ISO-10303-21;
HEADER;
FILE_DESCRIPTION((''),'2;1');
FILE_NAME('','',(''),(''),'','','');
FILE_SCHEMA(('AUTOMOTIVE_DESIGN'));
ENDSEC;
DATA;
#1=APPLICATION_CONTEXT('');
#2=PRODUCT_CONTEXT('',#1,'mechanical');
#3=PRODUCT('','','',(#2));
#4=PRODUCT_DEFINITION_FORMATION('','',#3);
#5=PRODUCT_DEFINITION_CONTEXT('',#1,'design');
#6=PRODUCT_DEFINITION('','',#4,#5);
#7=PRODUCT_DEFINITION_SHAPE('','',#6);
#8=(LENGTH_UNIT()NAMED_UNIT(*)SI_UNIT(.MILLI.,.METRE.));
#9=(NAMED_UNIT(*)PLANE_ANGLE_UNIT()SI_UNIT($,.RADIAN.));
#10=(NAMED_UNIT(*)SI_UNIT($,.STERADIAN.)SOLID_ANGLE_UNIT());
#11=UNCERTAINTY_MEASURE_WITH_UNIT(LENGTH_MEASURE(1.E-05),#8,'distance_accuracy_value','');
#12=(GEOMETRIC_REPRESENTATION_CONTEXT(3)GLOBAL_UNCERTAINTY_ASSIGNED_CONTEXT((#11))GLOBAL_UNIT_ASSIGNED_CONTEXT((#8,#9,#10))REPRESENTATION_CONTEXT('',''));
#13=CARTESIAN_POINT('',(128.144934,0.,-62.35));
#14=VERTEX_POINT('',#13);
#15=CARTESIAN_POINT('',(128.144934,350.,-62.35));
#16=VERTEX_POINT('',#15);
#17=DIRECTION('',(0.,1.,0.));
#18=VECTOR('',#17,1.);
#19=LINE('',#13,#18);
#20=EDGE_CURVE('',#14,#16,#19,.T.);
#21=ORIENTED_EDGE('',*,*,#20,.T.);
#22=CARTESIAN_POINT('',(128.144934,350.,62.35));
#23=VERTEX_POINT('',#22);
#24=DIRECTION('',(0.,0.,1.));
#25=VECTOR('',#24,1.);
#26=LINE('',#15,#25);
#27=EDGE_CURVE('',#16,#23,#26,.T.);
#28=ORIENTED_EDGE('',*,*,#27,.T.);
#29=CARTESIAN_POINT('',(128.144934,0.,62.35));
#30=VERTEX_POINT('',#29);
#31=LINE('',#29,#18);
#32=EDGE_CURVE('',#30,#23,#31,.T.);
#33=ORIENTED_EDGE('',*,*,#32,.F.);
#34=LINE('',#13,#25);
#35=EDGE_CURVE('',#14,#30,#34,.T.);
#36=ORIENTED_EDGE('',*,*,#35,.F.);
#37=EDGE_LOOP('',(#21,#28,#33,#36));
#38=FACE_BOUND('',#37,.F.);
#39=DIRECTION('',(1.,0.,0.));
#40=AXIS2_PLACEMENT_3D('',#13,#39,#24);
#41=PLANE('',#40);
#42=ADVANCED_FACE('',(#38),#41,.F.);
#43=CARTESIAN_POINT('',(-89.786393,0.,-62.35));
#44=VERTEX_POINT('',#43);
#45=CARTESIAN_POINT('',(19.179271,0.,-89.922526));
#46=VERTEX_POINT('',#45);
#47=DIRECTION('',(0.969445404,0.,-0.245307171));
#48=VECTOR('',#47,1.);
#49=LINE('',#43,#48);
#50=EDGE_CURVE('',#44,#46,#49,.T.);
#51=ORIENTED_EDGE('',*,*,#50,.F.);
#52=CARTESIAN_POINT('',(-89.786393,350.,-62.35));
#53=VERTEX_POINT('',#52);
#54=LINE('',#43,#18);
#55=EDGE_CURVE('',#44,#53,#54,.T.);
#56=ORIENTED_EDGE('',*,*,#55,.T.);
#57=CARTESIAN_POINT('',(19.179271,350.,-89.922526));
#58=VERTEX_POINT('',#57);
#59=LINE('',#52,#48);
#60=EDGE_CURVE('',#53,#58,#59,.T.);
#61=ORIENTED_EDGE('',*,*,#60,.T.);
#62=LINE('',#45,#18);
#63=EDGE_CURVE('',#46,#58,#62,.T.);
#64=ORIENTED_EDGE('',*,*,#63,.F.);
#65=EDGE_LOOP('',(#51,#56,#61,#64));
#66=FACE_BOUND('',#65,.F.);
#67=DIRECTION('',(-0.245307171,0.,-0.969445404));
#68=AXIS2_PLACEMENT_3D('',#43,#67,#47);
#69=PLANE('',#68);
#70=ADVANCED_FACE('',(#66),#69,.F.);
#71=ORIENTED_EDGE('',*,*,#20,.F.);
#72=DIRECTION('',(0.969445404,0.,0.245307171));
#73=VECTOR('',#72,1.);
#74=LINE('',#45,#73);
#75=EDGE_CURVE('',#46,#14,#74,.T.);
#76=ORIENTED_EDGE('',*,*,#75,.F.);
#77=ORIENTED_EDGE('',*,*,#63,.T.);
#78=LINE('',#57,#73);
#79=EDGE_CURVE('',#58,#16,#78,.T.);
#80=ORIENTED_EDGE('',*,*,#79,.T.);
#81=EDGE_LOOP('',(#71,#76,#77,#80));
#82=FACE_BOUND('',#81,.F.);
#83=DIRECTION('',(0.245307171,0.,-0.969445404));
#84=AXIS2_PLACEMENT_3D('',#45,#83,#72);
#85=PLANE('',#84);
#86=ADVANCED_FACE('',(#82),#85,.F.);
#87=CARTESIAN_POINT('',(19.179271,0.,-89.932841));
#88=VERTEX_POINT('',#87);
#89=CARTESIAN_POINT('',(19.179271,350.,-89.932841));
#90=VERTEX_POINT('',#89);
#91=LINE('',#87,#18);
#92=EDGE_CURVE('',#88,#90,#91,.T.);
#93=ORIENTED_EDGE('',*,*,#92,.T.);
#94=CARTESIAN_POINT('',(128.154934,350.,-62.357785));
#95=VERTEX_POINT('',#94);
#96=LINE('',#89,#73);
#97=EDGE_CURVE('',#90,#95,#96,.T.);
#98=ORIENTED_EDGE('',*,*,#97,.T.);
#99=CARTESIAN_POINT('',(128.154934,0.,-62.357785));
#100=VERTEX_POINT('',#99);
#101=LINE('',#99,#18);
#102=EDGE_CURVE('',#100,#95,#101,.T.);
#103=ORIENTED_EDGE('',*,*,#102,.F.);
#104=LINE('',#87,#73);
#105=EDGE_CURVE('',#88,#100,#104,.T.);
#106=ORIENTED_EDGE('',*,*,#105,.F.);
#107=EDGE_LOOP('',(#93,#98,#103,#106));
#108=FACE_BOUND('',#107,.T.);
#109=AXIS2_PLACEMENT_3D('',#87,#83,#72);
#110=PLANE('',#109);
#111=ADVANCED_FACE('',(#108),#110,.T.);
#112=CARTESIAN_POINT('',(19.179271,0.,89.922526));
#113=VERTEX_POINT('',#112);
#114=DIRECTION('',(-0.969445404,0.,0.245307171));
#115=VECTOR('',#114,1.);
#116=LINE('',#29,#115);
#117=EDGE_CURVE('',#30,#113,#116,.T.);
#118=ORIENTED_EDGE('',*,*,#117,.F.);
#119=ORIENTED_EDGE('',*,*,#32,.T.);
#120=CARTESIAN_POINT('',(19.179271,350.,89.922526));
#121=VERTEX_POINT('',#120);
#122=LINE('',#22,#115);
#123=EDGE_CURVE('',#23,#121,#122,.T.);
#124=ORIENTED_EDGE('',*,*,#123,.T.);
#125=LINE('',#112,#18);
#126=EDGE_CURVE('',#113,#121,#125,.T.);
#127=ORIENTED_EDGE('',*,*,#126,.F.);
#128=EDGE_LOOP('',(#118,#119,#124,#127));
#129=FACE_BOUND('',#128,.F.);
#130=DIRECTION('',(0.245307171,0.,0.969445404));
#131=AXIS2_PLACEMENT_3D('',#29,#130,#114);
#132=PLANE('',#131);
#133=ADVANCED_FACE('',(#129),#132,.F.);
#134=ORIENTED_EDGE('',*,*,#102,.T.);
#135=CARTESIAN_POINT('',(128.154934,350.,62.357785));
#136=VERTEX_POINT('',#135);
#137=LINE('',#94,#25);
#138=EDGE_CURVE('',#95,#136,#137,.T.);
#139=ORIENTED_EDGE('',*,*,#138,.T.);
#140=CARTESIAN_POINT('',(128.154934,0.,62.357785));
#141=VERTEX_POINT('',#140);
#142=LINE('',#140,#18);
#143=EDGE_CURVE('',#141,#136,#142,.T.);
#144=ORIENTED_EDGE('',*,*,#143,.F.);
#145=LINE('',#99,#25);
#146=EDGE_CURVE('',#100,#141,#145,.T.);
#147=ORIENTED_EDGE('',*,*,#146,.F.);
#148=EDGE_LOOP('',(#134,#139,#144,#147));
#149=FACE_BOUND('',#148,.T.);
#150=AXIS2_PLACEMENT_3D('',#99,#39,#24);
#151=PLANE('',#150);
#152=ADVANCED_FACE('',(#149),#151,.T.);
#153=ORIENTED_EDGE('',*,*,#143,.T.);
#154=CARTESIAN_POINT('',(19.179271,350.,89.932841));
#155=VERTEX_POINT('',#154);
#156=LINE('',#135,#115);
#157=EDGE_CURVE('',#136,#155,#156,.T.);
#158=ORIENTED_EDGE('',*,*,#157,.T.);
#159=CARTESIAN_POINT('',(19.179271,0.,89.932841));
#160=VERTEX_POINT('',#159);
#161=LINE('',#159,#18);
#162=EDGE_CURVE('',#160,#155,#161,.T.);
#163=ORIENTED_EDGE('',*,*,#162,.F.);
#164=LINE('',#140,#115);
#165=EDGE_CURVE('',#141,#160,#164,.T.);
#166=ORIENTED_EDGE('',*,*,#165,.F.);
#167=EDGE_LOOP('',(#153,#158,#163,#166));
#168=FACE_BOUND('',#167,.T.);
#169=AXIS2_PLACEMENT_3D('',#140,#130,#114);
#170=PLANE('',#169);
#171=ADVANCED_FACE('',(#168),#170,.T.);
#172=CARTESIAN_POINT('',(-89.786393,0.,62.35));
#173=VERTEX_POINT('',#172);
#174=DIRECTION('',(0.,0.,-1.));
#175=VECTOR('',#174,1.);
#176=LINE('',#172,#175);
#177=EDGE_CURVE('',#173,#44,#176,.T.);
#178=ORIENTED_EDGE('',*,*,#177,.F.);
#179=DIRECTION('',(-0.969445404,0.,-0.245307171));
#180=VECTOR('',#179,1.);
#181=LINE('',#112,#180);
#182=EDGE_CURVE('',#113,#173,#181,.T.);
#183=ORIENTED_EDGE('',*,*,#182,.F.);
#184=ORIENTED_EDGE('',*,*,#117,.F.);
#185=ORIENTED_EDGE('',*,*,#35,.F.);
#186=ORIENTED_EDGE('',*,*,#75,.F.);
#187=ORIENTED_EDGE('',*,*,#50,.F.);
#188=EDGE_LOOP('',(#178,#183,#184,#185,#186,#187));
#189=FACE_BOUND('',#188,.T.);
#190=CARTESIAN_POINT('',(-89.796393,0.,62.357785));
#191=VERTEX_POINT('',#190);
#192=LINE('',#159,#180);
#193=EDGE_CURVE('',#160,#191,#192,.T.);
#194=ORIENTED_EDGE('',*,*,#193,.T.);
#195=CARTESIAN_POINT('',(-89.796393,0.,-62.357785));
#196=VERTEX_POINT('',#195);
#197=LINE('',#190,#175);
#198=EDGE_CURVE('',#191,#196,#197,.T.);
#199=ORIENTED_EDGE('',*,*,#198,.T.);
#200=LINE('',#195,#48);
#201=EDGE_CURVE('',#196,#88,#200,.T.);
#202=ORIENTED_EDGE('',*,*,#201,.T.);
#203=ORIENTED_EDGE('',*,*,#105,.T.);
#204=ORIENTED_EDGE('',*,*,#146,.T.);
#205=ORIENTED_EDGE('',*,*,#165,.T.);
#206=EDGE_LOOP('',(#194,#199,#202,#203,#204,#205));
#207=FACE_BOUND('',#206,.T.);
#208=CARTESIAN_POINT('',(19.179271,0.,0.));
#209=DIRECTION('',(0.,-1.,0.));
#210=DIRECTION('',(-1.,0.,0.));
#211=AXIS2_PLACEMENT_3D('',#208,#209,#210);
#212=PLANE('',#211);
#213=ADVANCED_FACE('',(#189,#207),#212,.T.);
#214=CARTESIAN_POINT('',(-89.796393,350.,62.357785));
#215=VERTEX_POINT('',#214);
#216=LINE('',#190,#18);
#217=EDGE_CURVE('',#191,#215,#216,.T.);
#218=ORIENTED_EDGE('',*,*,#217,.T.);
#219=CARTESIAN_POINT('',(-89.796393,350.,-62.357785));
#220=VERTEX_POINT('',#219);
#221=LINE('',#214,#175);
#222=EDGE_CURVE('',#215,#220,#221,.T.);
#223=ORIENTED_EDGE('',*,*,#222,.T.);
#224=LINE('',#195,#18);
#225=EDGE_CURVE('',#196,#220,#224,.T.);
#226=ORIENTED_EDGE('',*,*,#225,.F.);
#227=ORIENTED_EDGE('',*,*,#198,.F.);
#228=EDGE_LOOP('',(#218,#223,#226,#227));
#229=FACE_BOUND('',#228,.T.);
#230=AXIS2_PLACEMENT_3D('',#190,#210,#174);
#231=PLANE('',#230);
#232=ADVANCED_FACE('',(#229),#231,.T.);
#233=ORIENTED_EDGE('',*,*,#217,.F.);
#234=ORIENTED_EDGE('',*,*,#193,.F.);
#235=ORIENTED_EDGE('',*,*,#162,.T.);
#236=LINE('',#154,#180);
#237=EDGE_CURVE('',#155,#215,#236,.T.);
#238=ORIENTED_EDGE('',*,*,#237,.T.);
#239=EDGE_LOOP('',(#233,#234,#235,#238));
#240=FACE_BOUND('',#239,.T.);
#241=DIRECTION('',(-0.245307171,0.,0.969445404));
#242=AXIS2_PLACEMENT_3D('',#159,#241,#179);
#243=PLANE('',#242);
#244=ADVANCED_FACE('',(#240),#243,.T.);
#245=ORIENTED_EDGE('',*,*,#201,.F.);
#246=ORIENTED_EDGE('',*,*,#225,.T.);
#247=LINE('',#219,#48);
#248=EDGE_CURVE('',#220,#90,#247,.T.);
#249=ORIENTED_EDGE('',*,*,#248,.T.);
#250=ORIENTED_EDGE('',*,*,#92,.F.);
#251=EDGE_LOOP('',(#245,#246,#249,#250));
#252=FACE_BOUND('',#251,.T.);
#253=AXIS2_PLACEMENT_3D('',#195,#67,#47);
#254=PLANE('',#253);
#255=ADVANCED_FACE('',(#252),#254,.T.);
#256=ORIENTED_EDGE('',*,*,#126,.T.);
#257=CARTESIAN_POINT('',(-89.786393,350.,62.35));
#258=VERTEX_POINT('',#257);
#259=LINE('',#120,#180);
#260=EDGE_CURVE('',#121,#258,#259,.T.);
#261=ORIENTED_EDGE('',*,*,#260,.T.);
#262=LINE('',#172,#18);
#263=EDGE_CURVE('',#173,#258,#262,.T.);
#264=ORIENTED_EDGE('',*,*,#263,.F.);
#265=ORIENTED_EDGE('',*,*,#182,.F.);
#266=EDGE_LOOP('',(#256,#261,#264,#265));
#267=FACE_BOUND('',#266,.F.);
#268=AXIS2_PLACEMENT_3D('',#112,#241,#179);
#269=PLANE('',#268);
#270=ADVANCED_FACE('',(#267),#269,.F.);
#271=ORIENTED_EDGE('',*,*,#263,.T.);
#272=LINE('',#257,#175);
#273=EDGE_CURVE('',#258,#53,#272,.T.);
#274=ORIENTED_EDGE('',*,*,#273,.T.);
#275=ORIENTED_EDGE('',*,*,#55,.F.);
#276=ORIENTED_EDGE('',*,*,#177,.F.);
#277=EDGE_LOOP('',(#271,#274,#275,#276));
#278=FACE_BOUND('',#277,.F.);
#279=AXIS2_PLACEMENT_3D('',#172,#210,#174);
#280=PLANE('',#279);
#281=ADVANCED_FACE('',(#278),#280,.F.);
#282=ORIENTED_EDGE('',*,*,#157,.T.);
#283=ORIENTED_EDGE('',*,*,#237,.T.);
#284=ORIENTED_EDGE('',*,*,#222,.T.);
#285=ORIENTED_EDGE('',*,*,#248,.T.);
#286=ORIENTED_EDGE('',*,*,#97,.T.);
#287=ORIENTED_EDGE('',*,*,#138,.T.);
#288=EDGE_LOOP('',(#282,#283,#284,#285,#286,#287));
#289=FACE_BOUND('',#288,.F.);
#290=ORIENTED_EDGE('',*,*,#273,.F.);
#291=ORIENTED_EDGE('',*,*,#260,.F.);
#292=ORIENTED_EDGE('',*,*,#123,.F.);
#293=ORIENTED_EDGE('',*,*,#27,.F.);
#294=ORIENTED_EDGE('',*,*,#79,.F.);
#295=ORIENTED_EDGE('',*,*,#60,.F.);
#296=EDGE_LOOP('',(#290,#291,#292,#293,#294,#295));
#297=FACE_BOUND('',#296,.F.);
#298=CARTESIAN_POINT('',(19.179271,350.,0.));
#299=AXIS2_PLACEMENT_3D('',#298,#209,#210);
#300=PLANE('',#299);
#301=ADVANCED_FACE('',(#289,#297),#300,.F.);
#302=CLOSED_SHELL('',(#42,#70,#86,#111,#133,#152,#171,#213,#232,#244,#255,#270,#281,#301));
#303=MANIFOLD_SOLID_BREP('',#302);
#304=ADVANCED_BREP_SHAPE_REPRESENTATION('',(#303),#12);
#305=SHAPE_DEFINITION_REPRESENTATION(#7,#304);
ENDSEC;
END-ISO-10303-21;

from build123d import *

# Parameters (mm, degrees)
EXTRU_MINCE1_DEPTH = 350


with BuildPart() as part:
    # Esquisse2 → Extru.-Mince1 (new body)
    with BuildSketch(Plane(origin=(0, 0, 0), x_dir=(1, 0, 0), z_dir=(0, 1, 0))):
        Polygon((128.154934328, 62.357784789), (128.154934328, -62.357784789), (19.179270891, -89.932841208), (-89.796392545, -62.357784789), (-89.796392545, 62.357784789), (19.179270891, 89.932841208), align=None)
        Polygon((128.144934328, 62.35), (128.144934328, -62.35), (19.179270891, -89.922526032), (-89.786392545, -62.35), (-89.786392545, 62.35), (19.179270891, 89.922526032), align=None, mode=Mode.SUBTRACT)
    extrude(amount=EXTRU_MINCE1_DEPTH)


solid = part.part
